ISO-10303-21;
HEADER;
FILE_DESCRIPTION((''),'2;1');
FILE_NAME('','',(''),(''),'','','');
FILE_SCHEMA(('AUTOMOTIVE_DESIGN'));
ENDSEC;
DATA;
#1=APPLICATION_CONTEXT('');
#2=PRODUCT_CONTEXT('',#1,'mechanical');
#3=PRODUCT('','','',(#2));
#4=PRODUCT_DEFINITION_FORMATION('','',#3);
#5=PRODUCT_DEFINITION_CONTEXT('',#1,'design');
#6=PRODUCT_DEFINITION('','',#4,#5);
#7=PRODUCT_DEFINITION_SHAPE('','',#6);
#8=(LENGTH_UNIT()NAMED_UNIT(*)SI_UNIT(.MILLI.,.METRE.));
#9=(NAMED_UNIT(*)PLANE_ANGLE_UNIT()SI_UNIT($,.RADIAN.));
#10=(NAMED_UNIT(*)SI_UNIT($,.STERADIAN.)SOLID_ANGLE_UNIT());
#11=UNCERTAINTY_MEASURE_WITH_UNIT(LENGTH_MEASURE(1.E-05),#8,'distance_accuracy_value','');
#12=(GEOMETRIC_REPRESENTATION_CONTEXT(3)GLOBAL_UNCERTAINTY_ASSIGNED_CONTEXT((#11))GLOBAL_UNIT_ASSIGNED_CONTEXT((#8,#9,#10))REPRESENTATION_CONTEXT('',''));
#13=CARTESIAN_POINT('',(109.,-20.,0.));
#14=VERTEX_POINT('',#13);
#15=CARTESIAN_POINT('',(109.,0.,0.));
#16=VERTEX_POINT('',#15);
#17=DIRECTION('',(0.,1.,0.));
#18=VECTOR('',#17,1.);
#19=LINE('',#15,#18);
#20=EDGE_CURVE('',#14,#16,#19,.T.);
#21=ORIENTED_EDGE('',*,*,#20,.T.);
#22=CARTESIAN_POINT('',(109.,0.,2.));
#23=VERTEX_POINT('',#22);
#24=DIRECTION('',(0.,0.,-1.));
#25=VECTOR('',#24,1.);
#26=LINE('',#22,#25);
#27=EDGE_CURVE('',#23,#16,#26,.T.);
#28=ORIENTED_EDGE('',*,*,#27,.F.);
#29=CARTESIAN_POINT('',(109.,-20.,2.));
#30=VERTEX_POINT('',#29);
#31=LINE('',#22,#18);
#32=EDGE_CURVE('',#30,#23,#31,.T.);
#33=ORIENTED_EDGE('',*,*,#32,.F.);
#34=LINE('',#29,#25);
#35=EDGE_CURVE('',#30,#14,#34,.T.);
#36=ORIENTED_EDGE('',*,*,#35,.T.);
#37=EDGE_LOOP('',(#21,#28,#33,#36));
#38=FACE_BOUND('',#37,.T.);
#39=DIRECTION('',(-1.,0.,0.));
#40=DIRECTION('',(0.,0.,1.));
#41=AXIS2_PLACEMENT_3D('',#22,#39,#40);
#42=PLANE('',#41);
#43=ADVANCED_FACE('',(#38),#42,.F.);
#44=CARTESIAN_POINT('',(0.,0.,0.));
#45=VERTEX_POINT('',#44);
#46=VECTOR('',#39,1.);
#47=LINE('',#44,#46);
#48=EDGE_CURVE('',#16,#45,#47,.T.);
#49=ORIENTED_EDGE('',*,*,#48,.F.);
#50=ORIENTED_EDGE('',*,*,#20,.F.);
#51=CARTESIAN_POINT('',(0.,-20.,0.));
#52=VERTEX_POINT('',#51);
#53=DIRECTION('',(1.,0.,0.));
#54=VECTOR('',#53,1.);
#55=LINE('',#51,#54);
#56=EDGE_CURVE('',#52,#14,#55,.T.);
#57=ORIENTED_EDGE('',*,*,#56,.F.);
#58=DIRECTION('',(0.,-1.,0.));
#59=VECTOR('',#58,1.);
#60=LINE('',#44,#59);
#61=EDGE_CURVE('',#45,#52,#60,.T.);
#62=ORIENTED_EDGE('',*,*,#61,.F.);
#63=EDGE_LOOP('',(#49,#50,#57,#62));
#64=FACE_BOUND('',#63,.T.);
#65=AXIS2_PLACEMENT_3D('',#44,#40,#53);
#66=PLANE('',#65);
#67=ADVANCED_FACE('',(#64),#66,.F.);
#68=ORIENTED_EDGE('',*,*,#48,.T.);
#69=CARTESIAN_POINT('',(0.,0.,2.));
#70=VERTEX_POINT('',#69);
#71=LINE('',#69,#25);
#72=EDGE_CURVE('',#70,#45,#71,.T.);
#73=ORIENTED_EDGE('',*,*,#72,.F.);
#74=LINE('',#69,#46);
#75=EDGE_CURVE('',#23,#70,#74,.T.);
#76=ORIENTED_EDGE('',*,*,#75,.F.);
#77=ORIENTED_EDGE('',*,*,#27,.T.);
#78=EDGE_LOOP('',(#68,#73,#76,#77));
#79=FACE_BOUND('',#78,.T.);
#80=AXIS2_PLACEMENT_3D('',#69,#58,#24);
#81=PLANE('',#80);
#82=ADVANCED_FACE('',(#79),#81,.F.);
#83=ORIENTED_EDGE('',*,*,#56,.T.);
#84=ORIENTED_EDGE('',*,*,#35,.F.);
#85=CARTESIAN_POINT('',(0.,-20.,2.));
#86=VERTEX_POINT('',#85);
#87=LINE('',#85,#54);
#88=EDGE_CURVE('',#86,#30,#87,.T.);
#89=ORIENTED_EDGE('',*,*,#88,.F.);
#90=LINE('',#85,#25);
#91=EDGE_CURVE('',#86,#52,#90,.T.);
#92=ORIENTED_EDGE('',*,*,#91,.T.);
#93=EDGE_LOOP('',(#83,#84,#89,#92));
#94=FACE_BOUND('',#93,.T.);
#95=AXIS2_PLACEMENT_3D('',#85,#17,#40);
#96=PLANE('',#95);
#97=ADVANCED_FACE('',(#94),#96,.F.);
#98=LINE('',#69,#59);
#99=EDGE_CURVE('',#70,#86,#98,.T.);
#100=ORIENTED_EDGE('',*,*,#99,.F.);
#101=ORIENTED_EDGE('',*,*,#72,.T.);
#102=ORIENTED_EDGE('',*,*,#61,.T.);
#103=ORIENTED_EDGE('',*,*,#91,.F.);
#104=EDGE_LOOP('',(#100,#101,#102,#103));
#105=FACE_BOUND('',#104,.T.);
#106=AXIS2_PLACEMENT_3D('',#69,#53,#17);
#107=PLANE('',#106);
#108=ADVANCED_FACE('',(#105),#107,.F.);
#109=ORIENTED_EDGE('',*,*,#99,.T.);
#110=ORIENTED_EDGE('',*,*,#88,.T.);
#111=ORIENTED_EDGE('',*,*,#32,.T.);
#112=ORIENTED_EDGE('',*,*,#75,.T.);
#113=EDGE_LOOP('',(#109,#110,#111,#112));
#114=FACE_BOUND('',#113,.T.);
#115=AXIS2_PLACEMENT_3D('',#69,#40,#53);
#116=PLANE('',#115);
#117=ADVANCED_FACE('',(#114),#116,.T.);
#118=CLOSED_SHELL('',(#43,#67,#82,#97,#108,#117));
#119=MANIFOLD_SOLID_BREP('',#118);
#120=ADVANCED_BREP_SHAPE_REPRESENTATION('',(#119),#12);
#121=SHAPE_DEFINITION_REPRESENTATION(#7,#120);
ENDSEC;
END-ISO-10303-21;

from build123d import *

# Parameters (mm, degrees)
SKETCH_1_W      = 109
SKETCH_1_H      = 20
EXTRUDE_1_DEPTH = 2


with BuildPart() as part:
    # 草图1 → 凸台-拉伸1 (new body)
    with BuildSketch(Plane.XY):
        with Locations((54.5, -10)):
            Rectangle(SKETCH_1_W, SKETCH_1_H)
    extrude(amount=EXTRUDE_1_DEPTH)


solid = part.part
